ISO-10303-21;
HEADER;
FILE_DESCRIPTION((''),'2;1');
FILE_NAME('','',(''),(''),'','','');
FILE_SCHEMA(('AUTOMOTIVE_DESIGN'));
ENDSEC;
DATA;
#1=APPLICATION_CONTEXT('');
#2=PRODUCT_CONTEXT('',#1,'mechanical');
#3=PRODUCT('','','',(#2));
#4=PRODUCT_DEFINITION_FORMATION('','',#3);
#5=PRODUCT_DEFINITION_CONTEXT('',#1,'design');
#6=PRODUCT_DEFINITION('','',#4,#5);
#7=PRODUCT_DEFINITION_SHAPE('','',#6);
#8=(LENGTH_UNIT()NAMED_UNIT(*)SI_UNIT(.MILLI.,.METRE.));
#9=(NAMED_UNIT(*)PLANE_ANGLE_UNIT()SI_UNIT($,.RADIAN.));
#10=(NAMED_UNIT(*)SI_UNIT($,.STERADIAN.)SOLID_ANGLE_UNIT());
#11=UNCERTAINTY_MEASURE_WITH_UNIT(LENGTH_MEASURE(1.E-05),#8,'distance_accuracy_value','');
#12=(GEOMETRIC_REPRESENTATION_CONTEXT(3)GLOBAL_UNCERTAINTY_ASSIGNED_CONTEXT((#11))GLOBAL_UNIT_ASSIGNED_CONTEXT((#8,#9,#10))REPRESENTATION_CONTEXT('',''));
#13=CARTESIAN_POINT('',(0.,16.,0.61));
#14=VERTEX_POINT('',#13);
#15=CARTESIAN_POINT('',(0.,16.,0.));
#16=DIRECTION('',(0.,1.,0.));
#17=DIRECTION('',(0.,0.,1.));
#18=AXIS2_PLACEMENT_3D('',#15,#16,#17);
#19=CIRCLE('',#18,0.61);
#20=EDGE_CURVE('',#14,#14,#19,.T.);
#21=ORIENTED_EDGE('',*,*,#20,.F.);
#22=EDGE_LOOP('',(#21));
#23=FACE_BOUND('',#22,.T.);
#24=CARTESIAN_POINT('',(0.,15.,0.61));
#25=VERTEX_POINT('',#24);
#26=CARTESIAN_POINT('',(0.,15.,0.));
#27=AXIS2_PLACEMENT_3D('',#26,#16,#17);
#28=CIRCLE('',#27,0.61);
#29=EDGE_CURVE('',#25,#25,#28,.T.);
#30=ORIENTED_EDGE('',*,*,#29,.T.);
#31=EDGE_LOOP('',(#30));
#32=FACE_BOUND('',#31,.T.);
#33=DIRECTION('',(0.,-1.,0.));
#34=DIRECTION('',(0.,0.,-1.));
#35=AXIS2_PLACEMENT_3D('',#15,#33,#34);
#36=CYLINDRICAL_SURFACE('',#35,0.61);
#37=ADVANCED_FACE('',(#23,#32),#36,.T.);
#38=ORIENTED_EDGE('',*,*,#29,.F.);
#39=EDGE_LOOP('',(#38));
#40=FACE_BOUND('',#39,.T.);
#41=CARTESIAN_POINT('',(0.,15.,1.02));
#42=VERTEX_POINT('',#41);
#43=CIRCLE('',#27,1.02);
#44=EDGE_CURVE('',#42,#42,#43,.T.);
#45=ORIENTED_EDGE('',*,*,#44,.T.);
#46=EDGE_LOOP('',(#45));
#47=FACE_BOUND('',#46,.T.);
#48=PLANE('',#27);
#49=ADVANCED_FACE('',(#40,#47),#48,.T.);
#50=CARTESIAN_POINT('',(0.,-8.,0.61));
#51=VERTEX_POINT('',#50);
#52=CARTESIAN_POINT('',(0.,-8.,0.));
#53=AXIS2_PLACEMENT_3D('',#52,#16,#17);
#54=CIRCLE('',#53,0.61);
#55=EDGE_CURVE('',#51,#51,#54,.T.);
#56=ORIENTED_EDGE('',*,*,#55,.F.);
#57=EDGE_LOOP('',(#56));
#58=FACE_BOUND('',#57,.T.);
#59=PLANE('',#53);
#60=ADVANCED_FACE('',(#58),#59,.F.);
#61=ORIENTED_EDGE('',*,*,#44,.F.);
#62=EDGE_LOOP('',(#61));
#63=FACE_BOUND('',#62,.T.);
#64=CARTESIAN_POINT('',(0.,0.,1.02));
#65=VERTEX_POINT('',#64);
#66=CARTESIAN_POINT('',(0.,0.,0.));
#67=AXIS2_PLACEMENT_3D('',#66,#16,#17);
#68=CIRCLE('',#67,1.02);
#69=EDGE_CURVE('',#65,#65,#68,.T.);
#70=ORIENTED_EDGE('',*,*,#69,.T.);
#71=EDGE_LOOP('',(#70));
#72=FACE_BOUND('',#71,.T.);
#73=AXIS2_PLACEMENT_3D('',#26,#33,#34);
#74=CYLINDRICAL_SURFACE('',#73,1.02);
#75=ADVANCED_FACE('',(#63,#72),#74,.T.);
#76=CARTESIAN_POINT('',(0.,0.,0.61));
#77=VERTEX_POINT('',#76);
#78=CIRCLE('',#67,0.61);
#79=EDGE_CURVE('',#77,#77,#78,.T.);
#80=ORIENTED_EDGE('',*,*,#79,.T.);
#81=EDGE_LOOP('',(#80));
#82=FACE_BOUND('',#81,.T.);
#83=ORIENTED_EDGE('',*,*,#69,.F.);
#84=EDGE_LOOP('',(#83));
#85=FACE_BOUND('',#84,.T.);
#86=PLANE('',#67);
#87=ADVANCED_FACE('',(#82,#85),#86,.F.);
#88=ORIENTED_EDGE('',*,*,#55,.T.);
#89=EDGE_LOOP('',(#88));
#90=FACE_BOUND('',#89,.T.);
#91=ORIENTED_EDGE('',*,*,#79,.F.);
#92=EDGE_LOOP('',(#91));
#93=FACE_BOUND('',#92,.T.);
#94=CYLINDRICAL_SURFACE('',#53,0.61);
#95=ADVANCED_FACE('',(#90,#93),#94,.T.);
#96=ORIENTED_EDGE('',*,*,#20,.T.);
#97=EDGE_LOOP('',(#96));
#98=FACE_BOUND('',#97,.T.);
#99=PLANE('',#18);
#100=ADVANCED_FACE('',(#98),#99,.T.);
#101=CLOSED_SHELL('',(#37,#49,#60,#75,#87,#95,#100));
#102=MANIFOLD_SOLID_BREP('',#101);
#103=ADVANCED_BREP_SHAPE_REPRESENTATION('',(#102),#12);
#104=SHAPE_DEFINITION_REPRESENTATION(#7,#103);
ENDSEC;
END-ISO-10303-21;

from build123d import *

# Parameters (mm, degrees)
SKETCH1_R           = 0.61
BOSS_EXTRUDE1_DEPTH = 8
SKETCH2_R           = 1.02
BOSS_EXTRUDE2_DEPTH = 15
BOSS_EXTRUDE3_START = 1
SKETCH4_R           = 0.61
BOSS_EXTRUDE3_DEPTH = 1


with BuildPart() as part:
    # Sketch1 → Boss-Extrude1 (new body)
    with BuildSketch(Plane(origin=(0, 0, 0), x_dir=(1, 0, 0), z_dir=(0, 1, 0))):
        with Locations(Location((0, 0, 0), (0, 0, 270))):
            Circle(SKETCH1_R)
    extrude(amount=-BOSS_EXTRUDE1_DEPTH)

    # Sketch2 → Boss-Extrude2 (add)
    with BuildSketch(Plane(origin=(0, 0, 0), x_dir=(1, 0, 0), z_dir=(0, 1, 0))):
        with Locations(Location((0, 0, 0), (0, 0, 270))):
            Circle(SKETCH2_R)
    extrude(amount=BOSS_EXTRUDE2_DEPTH)

    # Sketch4 → Boss-Extrude3 (add)
    with BuildSketch(Plane(origin=(0, 15, 0), x_dir=(1, 0, 0), z_dir=(0, 1, 0)).offset(BOSS_EXTRUDE3_START)):
        with Locations(Location((0, 0, 0), (0, 0, 270))):
            Circle(SKETCH4_R)
    extrude(amount=-BOSS_EXTRUDE3_DEPTH)


solid = part.part
